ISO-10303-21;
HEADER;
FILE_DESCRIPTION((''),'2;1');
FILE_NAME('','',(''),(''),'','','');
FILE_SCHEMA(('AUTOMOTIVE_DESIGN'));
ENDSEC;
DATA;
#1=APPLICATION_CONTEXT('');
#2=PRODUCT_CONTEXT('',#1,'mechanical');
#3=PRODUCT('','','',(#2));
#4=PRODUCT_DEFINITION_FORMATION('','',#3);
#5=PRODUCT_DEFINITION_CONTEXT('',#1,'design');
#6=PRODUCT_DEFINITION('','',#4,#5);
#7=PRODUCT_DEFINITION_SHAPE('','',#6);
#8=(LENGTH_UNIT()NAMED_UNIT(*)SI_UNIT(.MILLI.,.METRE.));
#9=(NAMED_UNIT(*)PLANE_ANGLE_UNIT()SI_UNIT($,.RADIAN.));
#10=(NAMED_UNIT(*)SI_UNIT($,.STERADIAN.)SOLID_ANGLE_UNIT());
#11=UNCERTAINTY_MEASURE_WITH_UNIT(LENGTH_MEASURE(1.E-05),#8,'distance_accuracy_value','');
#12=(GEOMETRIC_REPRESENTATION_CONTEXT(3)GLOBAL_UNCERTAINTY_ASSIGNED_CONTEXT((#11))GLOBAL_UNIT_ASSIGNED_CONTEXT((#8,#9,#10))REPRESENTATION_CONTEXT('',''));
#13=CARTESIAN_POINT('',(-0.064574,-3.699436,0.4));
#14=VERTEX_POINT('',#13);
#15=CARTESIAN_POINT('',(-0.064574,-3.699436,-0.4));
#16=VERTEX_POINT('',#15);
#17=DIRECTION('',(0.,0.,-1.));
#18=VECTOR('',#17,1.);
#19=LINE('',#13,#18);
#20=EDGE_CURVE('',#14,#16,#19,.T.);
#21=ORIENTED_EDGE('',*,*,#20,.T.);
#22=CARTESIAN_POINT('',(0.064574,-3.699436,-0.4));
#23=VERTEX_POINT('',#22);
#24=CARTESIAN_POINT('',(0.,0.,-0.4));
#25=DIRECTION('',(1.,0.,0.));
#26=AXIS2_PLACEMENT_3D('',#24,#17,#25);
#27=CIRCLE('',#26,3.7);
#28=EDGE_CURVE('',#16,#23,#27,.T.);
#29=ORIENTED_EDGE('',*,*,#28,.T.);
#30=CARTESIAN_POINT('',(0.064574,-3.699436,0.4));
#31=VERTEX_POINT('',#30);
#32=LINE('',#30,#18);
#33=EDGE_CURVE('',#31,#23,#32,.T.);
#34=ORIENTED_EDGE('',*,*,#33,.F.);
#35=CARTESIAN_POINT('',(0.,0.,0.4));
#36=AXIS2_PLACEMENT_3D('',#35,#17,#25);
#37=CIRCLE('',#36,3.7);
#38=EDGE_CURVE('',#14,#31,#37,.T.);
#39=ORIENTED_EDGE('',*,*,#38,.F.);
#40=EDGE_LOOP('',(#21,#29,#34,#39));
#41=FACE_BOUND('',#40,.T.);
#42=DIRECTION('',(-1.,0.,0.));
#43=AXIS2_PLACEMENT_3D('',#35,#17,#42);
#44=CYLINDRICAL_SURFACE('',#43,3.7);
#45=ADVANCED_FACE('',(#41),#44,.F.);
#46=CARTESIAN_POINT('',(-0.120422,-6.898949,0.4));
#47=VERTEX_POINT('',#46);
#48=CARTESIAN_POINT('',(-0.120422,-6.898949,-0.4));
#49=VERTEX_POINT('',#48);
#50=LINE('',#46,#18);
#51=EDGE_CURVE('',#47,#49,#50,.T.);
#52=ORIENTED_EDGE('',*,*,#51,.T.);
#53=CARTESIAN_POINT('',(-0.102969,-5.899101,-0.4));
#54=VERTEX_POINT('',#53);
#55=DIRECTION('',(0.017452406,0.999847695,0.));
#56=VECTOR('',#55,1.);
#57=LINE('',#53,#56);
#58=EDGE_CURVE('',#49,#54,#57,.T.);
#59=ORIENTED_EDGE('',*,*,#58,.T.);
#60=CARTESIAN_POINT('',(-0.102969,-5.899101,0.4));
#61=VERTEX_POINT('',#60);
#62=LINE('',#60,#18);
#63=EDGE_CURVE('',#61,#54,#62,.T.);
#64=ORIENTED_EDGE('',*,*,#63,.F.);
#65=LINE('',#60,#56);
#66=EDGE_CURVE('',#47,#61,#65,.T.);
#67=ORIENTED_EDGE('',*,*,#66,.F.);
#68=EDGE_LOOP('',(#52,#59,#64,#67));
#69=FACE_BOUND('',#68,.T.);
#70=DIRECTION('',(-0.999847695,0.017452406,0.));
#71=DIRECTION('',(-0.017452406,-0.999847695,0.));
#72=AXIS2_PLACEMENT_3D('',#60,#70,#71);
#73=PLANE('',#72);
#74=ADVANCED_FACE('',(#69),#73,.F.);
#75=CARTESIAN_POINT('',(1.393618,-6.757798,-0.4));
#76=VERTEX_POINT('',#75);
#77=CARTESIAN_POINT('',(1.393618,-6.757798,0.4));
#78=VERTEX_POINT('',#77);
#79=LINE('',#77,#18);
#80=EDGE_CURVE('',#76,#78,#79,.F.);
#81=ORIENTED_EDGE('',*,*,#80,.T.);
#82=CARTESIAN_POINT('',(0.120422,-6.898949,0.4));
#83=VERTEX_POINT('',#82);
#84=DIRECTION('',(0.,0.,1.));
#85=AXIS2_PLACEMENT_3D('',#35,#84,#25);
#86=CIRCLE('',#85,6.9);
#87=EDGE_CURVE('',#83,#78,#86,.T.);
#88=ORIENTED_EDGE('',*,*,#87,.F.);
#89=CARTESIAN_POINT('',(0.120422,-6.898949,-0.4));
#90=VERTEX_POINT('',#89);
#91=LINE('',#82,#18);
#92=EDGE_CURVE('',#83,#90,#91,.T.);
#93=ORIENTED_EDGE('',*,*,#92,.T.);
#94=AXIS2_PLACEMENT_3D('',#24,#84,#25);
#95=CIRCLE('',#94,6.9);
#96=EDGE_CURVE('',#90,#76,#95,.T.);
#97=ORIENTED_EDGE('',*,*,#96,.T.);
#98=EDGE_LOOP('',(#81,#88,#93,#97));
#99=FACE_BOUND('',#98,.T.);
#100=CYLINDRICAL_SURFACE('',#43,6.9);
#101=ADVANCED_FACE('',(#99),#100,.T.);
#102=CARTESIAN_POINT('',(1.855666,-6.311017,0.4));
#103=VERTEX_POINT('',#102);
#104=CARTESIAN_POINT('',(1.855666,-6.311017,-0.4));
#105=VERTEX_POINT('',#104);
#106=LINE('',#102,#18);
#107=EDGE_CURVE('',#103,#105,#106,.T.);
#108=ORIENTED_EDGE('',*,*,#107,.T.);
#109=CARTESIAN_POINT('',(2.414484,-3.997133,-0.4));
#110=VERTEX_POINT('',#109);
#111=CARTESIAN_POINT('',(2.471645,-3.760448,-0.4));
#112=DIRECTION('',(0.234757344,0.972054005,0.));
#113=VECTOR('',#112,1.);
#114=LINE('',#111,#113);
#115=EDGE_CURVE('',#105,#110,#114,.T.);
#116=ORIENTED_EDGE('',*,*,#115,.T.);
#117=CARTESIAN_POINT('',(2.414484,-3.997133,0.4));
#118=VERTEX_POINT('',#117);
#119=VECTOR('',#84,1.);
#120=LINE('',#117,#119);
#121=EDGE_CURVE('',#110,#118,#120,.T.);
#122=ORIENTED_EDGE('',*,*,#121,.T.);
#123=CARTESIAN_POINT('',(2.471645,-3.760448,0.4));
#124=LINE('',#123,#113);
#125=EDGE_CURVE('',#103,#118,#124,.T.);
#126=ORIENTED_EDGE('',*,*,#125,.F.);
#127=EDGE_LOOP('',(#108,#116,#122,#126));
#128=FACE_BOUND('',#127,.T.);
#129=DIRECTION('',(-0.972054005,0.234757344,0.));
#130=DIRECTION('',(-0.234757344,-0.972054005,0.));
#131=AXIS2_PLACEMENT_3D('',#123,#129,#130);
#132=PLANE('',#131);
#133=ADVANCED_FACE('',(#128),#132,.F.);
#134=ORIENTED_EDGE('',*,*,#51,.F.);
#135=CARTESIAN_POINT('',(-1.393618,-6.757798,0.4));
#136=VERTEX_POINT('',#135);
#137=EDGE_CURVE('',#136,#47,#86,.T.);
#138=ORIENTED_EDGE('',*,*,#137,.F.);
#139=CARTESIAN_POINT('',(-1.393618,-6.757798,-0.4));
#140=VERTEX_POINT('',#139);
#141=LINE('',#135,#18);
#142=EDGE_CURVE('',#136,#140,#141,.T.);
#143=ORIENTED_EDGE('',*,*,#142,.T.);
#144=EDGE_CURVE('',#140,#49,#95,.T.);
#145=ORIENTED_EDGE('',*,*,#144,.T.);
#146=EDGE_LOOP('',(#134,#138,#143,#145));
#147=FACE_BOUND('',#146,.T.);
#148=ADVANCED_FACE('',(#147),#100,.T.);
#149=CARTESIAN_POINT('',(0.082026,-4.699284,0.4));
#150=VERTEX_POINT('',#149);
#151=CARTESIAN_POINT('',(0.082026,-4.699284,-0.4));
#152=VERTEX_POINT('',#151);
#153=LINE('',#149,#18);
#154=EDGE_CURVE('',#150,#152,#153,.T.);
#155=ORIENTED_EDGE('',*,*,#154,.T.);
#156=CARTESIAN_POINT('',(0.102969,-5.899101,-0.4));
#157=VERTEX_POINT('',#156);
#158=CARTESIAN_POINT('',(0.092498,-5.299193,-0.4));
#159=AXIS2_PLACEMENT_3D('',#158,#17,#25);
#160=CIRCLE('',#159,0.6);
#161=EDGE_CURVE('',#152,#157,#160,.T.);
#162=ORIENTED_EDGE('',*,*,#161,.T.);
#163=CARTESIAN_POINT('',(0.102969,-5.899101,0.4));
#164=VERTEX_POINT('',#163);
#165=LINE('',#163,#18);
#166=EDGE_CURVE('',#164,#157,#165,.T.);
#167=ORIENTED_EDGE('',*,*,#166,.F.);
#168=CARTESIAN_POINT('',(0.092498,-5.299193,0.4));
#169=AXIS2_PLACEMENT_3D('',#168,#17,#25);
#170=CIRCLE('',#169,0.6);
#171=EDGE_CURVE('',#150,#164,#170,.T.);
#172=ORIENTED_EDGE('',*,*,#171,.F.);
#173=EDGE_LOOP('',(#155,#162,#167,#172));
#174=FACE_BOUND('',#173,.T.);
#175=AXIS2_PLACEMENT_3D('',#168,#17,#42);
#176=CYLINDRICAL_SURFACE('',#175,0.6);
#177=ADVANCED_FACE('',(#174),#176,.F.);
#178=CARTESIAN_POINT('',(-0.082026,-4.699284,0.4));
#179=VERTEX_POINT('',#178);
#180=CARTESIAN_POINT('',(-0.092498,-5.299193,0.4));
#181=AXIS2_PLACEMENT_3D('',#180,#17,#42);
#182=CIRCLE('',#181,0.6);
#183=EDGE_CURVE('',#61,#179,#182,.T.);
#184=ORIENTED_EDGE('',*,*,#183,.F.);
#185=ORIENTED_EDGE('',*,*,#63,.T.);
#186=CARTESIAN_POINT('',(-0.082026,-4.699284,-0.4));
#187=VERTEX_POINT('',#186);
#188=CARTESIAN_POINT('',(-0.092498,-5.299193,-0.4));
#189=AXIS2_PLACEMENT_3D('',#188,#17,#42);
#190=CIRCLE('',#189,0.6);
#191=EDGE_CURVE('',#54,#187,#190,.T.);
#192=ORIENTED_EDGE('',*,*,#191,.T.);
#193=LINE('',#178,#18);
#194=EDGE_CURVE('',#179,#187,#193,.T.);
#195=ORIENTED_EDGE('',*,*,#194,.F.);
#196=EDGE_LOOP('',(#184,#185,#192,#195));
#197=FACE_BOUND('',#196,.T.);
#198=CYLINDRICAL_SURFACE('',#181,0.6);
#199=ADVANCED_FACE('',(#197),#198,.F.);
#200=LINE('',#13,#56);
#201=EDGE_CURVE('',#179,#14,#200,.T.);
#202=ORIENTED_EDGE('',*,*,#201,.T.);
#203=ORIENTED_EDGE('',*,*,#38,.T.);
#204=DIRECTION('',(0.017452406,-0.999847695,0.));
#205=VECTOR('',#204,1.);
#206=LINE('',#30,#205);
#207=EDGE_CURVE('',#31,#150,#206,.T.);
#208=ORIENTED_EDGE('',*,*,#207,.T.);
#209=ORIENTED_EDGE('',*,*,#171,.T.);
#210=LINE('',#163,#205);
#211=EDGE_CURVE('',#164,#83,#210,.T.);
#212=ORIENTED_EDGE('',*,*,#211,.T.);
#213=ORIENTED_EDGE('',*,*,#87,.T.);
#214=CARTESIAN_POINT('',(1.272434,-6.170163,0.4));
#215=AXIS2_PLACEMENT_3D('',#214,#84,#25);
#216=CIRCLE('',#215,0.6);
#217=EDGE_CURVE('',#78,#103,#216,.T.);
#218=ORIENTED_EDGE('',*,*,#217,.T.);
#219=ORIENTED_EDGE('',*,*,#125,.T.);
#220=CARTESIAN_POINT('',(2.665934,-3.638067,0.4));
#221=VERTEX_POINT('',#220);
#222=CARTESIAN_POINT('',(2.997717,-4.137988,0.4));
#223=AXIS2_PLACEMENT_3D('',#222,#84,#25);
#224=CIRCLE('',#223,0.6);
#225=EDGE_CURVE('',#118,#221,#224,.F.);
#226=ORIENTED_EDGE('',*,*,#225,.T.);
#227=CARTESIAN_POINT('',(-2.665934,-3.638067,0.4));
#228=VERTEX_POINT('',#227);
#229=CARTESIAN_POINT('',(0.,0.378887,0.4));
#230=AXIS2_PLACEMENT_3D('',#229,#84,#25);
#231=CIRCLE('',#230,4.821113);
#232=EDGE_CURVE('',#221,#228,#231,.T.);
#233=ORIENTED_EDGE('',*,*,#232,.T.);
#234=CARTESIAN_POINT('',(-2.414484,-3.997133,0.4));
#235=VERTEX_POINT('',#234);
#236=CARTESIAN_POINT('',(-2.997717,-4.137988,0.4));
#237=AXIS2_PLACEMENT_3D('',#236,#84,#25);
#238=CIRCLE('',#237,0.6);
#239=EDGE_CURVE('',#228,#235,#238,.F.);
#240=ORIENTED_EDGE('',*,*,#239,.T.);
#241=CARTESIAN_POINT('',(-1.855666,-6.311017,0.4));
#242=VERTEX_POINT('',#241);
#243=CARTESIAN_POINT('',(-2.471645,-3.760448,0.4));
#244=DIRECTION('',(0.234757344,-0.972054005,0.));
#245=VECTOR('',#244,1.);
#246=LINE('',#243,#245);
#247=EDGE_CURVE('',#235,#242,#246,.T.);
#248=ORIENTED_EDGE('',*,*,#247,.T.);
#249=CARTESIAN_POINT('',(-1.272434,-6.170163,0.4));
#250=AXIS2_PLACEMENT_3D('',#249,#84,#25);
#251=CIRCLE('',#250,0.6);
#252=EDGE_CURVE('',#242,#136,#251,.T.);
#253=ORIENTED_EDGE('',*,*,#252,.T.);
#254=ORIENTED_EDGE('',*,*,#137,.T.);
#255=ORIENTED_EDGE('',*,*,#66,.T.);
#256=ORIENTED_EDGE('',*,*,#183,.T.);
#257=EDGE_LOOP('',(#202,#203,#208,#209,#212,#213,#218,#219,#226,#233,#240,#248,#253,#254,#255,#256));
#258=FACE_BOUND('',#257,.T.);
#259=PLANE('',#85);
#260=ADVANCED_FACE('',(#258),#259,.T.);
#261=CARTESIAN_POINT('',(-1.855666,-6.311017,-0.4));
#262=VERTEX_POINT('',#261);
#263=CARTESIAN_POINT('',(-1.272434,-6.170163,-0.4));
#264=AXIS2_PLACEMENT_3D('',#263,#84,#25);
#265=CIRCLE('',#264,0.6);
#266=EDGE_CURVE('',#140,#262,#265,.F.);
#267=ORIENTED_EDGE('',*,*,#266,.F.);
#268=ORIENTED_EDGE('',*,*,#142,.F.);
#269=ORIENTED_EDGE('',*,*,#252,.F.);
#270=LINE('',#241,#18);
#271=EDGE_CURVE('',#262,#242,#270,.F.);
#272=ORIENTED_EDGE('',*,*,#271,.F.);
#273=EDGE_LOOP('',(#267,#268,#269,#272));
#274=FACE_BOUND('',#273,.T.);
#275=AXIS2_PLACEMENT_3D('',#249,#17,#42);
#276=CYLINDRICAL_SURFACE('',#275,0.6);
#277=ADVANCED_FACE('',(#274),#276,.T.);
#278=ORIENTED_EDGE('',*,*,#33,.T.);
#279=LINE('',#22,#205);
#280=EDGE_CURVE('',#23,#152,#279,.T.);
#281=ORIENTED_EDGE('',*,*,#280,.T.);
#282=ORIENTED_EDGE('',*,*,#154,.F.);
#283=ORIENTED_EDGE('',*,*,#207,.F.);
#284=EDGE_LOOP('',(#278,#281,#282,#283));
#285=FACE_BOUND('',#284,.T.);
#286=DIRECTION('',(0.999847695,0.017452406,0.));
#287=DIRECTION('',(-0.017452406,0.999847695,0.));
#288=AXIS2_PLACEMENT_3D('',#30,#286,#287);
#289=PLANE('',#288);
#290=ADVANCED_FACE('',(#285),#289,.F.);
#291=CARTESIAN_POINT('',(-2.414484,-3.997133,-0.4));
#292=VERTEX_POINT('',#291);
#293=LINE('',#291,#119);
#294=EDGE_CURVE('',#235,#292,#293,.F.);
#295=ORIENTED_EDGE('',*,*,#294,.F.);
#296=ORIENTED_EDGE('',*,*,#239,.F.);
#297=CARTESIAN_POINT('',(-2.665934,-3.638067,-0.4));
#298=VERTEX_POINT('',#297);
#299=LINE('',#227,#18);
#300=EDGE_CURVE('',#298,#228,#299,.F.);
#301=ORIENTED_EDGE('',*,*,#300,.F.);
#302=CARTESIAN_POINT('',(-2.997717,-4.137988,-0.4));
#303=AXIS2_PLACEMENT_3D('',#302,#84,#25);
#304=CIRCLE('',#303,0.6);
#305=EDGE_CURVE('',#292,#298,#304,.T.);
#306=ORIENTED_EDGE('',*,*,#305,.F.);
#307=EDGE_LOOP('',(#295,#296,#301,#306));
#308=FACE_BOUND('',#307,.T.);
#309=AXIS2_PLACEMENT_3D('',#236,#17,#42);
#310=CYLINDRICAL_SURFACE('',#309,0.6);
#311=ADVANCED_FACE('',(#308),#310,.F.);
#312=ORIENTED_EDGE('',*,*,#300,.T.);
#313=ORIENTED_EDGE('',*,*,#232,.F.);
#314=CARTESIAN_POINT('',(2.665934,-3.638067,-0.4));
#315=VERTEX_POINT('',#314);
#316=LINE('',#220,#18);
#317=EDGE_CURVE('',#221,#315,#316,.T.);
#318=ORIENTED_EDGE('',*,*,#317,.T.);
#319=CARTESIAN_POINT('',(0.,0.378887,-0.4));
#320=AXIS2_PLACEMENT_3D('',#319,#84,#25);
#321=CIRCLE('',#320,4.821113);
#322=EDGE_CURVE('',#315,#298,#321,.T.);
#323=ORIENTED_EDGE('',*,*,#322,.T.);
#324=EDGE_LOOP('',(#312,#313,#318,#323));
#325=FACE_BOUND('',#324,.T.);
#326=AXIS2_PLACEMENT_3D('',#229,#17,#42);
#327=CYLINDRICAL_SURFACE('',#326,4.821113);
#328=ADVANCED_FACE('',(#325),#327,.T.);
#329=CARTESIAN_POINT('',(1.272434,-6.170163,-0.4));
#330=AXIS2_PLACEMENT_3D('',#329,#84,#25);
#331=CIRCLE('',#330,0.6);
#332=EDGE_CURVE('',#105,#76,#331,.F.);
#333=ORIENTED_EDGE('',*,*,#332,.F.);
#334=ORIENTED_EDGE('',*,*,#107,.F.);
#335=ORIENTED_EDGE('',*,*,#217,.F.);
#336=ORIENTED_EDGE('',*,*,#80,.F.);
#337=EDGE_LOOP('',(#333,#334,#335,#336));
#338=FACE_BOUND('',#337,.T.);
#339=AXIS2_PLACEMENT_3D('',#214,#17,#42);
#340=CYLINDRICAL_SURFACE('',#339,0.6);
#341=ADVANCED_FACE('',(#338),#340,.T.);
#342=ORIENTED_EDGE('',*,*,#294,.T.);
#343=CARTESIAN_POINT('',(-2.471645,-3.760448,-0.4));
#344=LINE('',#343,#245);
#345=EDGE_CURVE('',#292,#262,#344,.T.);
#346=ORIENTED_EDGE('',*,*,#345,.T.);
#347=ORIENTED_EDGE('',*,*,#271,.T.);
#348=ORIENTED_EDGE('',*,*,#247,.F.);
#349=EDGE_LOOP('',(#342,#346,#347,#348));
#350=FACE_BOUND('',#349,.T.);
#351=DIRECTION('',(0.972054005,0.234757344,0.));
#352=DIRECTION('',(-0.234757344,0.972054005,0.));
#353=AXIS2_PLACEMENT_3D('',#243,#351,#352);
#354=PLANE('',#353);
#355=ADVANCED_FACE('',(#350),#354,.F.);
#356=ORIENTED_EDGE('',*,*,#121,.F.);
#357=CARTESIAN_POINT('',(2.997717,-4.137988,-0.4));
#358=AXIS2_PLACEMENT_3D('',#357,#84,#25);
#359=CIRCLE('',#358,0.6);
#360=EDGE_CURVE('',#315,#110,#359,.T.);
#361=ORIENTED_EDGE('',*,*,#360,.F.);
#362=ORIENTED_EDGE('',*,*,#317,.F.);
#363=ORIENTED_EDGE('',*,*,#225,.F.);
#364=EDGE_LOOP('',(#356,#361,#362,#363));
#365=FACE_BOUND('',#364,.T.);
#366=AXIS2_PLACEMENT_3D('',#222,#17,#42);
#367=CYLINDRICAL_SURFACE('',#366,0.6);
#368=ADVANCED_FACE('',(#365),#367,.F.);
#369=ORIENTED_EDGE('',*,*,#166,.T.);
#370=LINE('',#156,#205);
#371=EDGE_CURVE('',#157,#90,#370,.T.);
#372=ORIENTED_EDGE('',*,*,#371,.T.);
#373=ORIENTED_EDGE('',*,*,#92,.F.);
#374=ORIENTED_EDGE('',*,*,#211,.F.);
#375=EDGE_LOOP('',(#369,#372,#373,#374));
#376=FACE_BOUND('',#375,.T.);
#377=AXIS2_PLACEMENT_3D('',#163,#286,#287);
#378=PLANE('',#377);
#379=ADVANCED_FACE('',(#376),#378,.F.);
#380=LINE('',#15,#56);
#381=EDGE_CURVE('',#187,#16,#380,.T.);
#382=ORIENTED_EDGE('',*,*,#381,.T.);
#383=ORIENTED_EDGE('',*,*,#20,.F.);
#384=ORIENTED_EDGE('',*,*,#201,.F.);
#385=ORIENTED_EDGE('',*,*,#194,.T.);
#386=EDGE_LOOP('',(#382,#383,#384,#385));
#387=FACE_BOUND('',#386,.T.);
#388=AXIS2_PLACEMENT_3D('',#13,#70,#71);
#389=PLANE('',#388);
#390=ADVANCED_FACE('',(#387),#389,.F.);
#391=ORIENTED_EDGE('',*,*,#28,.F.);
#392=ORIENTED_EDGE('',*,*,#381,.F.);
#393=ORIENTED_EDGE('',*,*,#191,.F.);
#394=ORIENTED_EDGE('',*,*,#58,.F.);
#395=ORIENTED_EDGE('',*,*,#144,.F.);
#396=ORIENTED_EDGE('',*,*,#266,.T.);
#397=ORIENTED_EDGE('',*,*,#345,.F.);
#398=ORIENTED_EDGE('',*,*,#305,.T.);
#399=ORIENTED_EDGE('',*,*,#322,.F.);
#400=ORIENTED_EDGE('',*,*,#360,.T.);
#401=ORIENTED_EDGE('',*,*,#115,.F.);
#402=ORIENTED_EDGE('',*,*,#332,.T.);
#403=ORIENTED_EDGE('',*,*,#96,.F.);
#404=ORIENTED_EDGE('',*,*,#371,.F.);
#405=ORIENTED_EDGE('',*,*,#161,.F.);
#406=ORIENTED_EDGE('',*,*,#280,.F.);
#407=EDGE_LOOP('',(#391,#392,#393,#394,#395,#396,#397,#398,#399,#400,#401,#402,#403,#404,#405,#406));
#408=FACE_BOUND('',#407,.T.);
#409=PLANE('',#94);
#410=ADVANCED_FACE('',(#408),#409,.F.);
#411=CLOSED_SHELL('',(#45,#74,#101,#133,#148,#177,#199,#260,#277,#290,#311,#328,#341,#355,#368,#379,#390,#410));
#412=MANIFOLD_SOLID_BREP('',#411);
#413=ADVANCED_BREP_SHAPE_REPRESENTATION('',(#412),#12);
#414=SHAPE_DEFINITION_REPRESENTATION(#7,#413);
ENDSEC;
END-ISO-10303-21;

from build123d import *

# Parameters (mm, degrees)
BOSS_EXTRUDE1_DEPTH = 0.4
FILLET1_R           = 0.6


with BuildPart() as part:
    # Sketch1 → Boss-Extrude1 (new, symmetric)
    with BuildSketch(Plane.XY):
        with BuildLine():
            Line((-0.064573904, -3.699436472), (-0.08202631, -4.699284167))
            ThreePointArc((-0.08202631, -4.699284167), (-0.692406371, -5.28872134), (-0.102969198, -5.899101401))
            Line((-0.102969198, -5.899101401), (-0.120421604, -6.898949097))
            ThreePointArc((-0.120421604, -6.898949097), (-0.95172367, -6.834048731), (-1.769127189, -6.669346969))
            Line((-1.769127189, -6.669346969), (-2.471645104, -3.760448175))
            ThreePointArc((-2.471645104, -3.760448175), (0, 5.2), (2.471645104, -3.760448175))
            Line((2.471645104, -3.760448175), (1.769127189, -6.669346969))
            ThreePointArc((1.769127189, -6.669346969), (0.95172367, -6.834048731), (0.120421604, -6.898949097))
            Line((0.120421604, -6.898949097), (0.102969198, -5.899101401))
            ThreePointArc((0.102969198, -5.899101401), (0.692406371, -5.28872134), (0.08202631, -4.699284167))
            Line((0.08202631, -4.699284167), (0.064573904, -3.699436472))
            ThreePointArc((0.064573904, -3.699436472), (0, 3.7), (-0.064573904, -3.699436472))
        make_face()
    extrude(amount=BOSS_EXTRUDE1_DEPTH, both=True)

    # Fillet1
    fillet1_edges = [part.edges().sort_by_distance(p)[0] for p in [
        (-1.769127189, -6.669346969, 0),
        (-2.471645104, -3.760448175, 0),
        (2.471645104, -3.760448175, 0),
        (1.769127189, -6.669346969, 0),
    ]]
    fillet(fillet1_edges, radius=FILLET1_R)


solid = part.part
